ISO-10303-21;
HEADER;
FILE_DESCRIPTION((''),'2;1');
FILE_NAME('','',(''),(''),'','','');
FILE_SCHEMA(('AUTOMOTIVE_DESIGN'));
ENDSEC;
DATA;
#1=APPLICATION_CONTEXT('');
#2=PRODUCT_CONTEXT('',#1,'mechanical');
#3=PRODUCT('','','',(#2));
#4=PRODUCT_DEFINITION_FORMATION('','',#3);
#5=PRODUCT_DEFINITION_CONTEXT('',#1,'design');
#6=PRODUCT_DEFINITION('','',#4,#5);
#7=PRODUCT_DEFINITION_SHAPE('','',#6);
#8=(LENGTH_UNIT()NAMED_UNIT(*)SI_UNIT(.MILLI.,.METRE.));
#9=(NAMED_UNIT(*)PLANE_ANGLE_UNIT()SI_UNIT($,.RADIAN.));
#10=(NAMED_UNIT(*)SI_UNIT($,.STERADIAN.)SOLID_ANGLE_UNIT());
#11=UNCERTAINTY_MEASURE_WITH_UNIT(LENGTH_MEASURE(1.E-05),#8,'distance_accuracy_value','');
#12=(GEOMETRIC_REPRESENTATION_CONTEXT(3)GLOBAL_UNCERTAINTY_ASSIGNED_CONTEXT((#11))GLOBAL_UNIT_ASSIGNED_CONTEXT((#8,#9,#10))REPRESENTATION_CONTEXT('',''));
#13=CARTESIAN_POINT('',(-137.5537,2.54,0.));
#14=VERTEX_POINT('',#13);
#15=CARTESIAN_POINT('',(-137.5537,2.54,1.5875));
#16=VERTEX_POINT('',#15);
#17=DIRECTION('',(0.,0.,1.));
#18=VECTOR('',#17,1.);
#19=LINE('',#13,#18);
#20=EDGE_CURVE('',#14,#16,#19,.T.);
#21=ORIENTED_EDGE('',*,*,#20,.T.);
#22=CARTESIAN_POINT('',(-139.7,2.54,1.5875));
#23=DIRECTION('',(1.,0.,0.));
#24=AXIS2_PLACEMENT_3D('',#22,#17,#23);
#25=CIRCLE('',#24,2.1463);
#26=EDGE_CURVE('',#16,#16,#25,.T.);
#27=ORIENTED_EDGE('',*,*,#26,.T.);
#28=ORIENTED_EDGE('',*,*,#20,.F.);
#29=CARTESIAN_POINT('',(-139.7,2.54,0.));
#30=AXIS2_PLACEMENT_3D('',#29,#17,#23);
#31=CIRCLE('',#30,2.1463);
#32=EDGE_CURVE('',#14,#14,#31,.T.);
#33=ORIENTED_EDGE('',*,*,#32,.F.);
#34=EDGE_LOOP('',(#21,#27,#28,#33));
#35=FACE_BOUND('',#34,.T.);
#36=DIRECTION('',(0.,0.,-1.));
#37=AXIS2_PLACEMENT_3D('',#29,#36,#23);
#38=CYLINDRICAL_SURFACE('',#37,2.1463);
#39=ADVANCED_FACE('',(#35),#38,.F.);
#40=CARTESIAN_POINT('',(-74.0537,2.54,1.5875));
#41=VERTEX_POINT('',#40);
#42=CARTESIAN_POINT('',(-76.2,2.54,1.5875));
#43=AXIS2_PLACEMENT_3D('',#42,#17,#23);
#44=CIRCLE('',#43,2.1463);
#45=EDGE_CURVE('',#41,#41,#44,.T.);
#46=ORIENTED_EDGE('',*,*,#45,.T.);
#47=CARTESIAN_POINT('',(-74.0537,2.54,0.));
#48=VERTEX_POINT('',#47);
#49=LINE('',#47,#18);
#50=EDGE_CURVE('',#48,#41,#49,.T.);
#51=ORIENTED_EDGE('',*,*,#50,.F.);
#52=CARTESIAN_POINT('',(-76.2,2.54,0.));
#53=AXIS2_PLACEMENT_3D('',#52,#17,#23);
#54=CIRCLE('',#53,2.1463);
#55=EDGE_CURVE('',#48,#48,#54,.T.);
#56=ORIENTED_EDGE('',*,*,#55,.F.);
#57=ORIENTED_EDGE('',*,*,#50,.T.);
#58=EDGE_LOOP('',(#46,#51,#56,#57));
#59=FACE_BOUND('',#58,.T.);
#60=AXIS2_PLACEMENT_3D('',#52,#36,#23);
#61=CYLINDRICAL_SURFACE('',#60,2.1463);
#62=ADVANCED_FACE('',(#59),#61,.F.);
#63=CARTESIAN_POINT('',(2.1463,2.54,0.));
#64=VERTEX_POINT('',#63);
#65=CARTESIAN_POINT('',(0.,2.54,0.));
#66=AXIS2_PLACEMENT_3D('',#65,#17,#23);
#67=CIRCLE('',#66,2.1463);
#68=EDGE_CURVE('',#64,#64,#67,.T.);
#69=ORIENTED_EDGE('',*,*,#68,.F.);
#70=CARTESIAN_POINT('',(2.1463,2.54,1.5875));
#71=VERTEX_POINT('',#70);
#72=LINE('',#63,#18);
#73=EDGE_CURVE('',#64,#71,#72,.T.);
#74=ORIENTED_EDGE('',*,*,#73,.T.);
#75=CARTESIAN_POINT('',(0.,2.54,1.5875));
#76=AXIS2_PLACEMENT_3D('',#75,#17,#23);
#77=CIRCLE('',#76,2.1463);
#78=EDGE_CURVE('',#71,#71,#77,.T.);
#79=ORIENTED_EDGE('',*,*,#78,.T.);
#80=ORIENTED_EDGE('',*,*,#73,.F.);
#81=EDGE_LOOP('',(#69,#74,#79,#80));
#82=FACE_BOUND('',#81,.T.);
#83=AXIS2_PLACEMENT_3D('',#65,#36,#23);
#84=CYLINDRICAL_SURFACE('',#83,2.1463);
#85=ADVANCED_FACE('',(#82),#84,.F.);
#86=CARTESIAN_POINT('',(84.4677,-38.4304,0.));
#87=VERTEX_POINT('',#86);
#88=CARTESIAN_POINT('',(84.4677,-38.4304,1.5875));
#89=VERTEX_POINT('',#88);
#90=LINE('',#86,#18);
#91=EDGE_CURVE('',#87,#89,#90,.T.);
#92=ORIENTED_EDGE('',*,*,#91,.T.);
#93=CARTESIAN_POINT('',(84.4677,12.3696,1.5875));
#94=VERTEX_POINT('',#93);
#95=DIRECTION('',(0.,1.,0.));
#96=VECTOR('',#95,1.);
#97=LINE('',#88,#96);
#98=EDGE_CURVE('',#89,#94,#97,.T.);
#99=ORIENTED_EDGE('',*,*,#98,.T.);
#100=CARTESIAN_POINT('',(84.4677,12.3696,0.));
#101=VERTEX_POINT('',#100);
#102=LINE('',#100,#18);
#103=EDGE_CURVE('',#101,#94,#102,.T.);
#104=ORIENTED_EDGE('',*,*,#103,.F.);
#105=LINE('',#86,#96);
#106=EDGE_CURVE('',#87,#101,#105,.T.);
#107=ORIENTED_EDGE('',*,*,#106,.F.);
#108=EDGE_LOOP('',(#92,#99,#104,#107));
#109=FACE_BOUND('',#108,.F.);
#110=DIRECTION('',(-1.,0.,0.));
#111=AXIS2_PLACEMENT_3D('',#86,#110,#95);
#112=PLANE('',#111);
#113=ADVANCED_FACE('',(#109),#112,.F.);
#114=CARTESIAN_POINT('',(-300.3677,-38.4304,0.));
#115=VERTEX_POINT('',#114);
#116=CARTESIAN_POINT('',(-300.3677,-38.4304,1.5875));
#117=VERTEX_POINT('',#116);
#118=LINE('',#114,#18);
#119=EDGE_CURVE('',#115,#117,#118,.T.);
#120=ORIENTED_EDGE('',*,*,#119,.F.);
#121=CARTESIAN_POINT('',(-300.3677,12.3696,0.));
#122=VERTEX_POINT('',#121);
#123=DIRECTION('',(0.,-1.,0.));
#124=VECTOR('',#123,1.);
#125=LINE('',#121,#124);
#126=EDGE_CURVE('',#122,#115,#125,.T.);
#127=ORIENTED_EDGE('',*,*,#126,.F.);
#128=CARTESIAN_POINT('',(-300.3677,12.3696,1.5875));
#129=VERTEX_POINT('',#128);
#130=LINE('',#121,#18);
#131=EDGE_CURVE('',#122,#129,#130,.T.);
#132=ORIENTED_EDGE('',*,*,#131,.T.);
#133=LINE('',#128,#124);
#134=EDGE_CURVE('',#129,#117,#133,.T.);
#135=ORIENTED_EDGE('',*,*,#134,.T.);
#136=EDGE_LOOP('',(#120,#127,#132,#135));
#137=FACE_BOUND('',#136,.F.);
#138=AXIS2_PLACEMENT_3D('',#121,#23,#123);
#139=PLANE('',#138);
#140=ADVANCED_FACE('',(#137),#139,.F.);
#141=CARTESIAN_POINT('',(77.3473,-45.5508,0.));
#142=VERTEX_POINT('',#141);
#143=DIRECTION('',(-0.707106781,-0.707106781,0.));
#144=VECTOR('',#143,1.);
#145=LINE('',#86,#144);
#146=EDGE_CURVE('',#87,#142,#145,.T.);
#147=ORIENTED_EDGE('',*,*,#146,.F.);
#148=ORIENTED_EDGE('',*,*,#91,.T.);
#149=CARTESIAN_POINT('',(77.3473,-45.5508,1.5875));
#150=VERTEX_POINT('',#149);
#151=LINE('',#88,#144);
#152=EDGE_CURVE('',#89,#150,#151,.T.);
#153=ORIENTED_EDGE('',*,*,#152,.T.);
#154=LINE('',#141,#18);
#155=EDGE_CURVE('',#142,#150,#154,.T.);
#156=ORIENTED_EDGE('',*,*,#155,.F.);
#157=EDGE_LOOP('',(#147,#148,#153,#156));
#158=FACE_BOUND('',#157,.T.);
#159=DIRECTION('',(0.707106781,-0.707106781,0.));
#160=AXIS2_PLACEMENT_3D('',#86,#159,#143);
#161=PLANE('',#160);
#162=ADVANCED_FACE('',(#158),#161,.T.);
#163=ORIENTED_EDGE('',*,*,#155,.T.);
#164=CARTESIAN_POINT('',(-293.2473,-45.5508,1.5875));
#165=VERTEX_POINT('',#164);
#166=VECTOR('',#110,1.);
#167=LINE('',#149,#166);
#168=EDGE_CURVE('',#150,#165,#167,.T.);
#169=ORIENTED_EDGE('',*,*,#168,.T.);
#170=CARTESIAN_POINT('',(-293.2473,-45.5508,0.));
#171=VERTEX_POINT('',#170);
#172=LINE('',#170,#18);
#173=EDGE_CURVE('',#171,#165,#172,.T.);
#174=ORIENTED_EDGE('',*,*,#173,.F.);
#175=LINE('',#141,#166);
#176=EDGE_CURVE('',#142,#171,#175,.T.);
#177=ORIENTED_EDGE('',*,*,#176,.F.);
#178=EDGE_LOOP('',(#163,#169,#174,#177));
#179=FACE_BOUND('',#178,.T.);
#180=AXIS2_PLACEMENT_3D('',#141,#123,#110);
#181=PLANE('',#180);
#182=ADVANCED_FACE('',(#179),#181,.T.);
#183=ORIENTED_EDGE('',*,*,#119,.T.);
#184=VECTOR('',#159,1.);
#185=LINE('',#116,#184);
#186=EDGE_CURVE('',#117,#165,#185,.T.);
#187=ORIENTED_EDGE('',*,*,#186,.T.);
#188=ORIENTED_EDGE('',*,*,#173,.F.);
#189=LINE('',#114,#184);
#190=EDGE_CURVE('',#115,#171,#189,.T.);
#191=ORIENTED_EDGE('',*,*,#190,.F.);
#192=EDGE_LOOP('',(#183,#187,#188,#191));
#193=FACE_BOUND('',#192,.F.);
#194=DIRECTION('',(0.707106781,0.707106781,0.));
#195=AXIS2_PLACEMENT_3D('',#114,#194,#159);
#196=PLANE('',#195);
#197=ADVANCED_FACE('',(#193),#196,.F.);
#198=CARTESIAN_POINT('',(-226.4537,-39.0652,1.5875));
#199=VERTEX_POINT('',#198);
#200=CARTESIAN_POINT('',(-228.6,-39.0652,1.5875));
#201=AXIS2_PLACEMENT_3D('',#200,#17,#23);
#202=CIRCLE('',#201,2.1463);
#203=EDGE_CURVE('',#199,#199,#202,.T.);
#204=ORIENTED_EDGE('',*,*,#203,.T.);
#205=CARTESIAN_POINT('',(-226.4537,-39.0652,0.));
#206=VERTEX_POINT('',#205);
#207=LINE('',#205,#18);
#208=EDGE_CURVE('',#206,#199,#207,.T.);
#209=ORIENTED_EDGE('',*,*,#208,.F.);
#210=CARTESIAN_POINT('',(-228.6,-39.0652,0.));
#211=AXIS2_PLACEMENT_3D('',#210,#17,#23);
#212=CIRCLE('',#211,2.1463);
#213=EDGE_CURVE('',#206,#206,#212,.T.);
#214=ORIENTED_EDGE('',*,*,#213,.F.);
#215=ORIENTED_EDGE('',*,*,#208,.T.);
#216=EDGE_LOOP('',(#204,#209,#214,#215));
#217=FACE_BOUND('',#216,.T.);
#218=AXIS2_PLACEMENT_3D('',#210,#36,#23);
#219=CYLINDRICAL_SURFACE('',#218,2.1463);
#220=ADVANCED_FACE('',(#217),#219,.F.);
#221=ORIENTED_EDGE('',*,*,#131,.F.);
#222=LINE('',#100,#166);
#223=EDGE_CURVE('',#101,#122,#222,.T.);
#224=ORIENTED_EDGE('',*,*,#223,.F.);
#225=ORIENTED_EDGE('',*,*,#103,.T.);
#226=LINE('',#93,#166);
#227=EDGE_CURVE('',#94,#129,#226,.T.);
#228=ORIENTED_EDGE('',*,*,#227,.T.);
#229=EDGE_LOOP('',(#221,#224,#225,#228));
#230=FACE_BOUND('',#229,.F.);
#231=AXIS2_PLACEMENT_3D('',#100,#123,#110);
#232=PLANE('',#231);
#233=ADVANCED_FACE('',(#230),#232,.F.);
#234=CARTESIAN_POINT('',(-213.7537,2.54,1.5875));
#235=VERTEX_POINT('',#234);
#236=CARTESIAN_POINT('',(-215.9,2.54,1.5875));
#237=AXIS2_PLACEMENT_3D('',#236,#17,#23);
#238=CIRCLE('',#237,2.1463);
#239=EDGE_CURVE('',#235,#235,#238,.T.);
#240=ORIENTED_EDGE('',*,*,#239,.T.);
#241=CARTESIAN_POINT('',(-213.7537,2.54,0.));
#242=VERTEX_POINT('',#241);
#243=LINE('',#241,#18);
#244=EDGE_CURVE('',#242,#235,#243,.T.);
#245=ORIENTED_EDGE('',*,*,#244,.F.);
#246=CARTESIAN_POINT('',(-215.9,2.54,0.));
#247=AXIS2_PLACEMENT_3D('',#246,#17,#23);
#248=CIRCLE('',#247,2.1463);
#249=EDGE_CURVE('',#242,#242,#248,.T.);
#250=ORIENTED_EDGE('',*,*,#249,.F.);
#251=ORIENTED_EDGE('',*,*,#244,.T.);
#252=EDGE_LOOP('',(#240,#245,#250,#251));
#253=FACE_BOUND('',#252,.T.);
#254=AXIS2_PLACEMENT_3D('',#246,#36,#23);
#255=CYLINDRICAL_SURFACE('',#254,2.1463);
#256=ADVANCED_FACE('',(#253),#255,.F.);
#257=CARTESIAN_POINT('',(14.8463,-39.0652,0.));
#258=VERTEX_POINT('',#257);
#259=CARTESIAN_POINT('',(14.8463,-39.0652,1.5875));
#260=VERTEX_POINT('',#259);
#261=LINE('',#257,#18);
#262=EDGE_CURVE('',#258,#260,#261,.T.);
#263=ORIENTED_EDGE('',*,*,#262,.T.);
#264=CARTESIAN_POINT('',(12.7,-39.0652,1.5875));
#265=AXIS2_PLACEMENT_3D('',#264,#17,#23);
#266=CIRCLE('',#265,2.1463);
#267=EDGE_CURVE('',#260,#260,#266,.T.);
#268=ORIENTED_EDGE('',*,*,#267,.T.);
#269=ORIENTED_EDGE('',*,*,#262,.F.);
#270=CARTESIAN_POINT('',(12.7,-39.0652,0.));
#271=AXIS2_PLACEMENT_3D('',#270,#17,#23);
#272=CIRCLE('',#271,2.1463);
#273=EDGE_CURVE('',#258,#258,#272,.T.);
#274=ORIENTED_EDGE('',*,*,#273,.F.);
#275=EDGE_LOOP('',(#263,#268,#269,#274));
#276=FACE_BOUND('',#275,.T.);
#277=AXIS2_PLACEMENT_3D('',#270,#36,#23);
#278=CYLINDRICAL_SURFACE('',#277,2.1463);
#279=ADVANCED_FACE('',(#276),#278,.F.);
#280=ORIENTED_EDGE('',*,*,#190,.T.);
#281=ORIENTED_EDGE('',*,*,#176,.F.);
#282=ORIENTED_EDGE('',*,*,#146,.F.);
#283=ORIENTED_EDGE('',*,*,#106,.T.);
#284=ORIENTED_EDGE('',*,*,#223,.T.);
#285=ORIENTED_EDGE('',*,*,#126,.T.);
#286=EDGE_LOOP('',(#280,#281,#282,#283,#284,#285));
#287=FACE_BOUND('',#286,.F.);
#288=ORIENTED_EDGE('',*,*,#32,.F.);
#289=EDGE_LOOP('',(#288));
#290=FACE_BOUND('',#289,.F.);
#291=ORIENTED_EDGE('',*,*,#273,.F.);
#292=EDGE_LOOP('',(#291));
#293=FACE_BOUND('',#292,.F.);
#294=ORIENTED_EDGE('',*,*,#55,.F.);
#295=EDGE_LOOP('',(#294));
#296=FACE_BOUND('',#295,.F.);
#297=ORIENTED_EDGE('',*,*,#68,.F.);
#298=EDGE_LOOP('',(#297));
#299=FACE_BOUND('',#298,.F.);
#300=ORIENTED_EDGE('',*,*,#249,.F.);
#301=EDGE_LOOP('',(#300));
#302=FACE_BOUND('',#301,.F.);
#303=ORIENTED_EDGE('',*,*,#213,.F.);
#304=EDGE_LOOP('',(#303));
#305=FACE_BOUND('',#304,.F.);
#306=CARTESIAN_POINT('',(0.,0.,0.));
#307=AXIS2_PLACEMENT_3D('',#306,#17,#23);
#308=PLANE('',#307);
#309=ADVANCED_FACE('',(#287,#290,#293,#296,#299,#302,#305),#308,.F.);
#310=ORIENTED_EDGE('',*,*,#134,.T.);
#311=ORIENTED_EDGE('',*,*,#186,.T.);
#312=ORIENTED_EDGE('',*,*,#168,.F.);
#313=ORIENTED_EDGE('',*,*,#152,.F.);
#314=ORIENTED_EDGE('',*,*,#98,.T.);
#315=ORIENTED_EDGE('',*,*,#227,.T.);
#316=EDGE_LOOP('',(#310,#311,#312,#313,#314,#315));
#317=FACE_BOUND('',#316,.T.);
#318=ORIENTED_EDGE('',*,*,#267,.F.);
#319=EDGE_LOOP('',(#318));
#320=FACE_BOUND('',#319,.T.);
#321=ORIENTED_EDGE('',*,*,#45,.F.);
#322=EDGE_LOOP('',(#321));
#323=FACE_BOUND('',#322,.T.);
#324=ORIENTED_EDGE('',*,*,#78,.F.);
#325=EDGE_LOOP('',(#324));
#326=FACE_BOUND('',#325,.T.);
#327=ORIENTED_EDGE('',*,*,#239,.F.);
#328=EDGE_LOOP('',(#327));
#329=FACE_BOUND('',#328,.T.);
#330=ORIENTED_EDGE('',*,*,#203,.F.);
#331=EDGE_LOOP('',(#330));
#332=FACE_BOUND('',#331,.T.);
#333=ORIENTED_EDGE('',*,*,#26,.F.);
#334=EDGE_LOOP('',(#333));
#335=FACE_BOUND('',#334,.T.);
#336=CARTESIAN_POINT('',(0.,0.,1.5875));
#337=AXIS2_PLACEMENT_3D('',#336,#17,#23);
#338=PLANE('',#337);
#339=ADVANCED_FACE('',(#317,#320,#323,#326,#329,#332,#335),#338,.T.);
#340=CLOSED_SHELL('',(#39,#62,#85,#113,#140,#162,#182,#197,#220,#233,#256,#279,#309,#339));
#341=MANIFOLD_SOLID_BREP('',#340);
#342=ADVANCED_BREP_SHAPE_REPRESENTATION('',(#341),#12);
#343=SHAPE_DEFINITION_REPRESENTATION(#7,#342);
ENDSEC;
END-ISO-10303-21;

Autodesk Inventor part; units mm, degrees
ref_plane "YZ Plane" through (0, 0, 0) normal (1, 0, 0) x (0, 1, 0)
ref_plane "XZ Plane" through (0, 0, 0) normal (0, 1, 0) x (-1, 0, 0)
ref_plane "XY Plane" through (0, 0, 0) normal (0, 0, 1) x (1, 0, 0)
sketch "Sketch1" plane through (0, 0, 0) normal (0, 0, 1) x (1, 0, 0)
  line L0 (84.4677, 12.3696) -> (-300.3677, 12.3696)
  line L1 (-300.3677, 12.3696) -> (-300.3677, -38.4304)
  line L2 (84.4677, -38.4304) -> (84.4677, 12.3696)
  circle A0 centre (0, 2.54) radius 2.1463
  line L3 (84.4677, -38.4304) -> (77.3473, -45.5508)
  line L4 (84.4677, -38.4304) -> (94.5374, -38.4304) construction
  line L5 (-300.3677, -38.4304) -> (-296.831, -38.4304) construction
  line L6 (-300.3677, -38.4304) -> (-293.2473, -45.5508)
  line L7 (-300.3677, -38.4304) -> (-290.298, -38.4304) construction
  line L8 (77.3473, -45.5508) -> (-293.2473, -45.5508)
  circle A1 centre (-215.9, 2.54) radius 2.1463
  circle A2 centre (12.7, -39.0652) radius 2.1463
  circle A3 centre (-228.6, -39.0652) radius 2.1463
  circle A4 centre (-76.2, 2.54) radius 2.1463
  circle A5 centre (-139.7, 2.54) radius 2.1463
  point P0 (0, 0)
  dimension "d0" = 384.8354
  dimension "d1" = 4.2926
  dimension "d2" = 84.4677
  dimension "d3" = 9.8296
  dimension "d4" = 135
  dimension "d5" = 7.1204
  dimension "d6" = 45
  dimension "d7" = 7.1204
  dimension "d8" = 4.2926
  dimension "d9" = 9.8296
  dimension "d10" = 215.9
  dimension "d13" = 4.2926
  dimension "d14" = 71.7677
  dimension "d17" = 51.4348
  dimension "d18" = 4.2926
  dimension "d19" = 51.4348
  dimension "d20" = 71.7677
  dimension "d21" = 50.8
  dimension "d22" = 4.2926
  dimension "d23" = 76.2
  dimension "d24" = 4.2926
  dimension "d25" = 76.2
  dimension "d26" = 9.8296
  dimension "d27" = 9.8296
extrude "Extrusion2" add sketch "Sketch1" along normal blind 1.5875
properties part number "Back Guard"
